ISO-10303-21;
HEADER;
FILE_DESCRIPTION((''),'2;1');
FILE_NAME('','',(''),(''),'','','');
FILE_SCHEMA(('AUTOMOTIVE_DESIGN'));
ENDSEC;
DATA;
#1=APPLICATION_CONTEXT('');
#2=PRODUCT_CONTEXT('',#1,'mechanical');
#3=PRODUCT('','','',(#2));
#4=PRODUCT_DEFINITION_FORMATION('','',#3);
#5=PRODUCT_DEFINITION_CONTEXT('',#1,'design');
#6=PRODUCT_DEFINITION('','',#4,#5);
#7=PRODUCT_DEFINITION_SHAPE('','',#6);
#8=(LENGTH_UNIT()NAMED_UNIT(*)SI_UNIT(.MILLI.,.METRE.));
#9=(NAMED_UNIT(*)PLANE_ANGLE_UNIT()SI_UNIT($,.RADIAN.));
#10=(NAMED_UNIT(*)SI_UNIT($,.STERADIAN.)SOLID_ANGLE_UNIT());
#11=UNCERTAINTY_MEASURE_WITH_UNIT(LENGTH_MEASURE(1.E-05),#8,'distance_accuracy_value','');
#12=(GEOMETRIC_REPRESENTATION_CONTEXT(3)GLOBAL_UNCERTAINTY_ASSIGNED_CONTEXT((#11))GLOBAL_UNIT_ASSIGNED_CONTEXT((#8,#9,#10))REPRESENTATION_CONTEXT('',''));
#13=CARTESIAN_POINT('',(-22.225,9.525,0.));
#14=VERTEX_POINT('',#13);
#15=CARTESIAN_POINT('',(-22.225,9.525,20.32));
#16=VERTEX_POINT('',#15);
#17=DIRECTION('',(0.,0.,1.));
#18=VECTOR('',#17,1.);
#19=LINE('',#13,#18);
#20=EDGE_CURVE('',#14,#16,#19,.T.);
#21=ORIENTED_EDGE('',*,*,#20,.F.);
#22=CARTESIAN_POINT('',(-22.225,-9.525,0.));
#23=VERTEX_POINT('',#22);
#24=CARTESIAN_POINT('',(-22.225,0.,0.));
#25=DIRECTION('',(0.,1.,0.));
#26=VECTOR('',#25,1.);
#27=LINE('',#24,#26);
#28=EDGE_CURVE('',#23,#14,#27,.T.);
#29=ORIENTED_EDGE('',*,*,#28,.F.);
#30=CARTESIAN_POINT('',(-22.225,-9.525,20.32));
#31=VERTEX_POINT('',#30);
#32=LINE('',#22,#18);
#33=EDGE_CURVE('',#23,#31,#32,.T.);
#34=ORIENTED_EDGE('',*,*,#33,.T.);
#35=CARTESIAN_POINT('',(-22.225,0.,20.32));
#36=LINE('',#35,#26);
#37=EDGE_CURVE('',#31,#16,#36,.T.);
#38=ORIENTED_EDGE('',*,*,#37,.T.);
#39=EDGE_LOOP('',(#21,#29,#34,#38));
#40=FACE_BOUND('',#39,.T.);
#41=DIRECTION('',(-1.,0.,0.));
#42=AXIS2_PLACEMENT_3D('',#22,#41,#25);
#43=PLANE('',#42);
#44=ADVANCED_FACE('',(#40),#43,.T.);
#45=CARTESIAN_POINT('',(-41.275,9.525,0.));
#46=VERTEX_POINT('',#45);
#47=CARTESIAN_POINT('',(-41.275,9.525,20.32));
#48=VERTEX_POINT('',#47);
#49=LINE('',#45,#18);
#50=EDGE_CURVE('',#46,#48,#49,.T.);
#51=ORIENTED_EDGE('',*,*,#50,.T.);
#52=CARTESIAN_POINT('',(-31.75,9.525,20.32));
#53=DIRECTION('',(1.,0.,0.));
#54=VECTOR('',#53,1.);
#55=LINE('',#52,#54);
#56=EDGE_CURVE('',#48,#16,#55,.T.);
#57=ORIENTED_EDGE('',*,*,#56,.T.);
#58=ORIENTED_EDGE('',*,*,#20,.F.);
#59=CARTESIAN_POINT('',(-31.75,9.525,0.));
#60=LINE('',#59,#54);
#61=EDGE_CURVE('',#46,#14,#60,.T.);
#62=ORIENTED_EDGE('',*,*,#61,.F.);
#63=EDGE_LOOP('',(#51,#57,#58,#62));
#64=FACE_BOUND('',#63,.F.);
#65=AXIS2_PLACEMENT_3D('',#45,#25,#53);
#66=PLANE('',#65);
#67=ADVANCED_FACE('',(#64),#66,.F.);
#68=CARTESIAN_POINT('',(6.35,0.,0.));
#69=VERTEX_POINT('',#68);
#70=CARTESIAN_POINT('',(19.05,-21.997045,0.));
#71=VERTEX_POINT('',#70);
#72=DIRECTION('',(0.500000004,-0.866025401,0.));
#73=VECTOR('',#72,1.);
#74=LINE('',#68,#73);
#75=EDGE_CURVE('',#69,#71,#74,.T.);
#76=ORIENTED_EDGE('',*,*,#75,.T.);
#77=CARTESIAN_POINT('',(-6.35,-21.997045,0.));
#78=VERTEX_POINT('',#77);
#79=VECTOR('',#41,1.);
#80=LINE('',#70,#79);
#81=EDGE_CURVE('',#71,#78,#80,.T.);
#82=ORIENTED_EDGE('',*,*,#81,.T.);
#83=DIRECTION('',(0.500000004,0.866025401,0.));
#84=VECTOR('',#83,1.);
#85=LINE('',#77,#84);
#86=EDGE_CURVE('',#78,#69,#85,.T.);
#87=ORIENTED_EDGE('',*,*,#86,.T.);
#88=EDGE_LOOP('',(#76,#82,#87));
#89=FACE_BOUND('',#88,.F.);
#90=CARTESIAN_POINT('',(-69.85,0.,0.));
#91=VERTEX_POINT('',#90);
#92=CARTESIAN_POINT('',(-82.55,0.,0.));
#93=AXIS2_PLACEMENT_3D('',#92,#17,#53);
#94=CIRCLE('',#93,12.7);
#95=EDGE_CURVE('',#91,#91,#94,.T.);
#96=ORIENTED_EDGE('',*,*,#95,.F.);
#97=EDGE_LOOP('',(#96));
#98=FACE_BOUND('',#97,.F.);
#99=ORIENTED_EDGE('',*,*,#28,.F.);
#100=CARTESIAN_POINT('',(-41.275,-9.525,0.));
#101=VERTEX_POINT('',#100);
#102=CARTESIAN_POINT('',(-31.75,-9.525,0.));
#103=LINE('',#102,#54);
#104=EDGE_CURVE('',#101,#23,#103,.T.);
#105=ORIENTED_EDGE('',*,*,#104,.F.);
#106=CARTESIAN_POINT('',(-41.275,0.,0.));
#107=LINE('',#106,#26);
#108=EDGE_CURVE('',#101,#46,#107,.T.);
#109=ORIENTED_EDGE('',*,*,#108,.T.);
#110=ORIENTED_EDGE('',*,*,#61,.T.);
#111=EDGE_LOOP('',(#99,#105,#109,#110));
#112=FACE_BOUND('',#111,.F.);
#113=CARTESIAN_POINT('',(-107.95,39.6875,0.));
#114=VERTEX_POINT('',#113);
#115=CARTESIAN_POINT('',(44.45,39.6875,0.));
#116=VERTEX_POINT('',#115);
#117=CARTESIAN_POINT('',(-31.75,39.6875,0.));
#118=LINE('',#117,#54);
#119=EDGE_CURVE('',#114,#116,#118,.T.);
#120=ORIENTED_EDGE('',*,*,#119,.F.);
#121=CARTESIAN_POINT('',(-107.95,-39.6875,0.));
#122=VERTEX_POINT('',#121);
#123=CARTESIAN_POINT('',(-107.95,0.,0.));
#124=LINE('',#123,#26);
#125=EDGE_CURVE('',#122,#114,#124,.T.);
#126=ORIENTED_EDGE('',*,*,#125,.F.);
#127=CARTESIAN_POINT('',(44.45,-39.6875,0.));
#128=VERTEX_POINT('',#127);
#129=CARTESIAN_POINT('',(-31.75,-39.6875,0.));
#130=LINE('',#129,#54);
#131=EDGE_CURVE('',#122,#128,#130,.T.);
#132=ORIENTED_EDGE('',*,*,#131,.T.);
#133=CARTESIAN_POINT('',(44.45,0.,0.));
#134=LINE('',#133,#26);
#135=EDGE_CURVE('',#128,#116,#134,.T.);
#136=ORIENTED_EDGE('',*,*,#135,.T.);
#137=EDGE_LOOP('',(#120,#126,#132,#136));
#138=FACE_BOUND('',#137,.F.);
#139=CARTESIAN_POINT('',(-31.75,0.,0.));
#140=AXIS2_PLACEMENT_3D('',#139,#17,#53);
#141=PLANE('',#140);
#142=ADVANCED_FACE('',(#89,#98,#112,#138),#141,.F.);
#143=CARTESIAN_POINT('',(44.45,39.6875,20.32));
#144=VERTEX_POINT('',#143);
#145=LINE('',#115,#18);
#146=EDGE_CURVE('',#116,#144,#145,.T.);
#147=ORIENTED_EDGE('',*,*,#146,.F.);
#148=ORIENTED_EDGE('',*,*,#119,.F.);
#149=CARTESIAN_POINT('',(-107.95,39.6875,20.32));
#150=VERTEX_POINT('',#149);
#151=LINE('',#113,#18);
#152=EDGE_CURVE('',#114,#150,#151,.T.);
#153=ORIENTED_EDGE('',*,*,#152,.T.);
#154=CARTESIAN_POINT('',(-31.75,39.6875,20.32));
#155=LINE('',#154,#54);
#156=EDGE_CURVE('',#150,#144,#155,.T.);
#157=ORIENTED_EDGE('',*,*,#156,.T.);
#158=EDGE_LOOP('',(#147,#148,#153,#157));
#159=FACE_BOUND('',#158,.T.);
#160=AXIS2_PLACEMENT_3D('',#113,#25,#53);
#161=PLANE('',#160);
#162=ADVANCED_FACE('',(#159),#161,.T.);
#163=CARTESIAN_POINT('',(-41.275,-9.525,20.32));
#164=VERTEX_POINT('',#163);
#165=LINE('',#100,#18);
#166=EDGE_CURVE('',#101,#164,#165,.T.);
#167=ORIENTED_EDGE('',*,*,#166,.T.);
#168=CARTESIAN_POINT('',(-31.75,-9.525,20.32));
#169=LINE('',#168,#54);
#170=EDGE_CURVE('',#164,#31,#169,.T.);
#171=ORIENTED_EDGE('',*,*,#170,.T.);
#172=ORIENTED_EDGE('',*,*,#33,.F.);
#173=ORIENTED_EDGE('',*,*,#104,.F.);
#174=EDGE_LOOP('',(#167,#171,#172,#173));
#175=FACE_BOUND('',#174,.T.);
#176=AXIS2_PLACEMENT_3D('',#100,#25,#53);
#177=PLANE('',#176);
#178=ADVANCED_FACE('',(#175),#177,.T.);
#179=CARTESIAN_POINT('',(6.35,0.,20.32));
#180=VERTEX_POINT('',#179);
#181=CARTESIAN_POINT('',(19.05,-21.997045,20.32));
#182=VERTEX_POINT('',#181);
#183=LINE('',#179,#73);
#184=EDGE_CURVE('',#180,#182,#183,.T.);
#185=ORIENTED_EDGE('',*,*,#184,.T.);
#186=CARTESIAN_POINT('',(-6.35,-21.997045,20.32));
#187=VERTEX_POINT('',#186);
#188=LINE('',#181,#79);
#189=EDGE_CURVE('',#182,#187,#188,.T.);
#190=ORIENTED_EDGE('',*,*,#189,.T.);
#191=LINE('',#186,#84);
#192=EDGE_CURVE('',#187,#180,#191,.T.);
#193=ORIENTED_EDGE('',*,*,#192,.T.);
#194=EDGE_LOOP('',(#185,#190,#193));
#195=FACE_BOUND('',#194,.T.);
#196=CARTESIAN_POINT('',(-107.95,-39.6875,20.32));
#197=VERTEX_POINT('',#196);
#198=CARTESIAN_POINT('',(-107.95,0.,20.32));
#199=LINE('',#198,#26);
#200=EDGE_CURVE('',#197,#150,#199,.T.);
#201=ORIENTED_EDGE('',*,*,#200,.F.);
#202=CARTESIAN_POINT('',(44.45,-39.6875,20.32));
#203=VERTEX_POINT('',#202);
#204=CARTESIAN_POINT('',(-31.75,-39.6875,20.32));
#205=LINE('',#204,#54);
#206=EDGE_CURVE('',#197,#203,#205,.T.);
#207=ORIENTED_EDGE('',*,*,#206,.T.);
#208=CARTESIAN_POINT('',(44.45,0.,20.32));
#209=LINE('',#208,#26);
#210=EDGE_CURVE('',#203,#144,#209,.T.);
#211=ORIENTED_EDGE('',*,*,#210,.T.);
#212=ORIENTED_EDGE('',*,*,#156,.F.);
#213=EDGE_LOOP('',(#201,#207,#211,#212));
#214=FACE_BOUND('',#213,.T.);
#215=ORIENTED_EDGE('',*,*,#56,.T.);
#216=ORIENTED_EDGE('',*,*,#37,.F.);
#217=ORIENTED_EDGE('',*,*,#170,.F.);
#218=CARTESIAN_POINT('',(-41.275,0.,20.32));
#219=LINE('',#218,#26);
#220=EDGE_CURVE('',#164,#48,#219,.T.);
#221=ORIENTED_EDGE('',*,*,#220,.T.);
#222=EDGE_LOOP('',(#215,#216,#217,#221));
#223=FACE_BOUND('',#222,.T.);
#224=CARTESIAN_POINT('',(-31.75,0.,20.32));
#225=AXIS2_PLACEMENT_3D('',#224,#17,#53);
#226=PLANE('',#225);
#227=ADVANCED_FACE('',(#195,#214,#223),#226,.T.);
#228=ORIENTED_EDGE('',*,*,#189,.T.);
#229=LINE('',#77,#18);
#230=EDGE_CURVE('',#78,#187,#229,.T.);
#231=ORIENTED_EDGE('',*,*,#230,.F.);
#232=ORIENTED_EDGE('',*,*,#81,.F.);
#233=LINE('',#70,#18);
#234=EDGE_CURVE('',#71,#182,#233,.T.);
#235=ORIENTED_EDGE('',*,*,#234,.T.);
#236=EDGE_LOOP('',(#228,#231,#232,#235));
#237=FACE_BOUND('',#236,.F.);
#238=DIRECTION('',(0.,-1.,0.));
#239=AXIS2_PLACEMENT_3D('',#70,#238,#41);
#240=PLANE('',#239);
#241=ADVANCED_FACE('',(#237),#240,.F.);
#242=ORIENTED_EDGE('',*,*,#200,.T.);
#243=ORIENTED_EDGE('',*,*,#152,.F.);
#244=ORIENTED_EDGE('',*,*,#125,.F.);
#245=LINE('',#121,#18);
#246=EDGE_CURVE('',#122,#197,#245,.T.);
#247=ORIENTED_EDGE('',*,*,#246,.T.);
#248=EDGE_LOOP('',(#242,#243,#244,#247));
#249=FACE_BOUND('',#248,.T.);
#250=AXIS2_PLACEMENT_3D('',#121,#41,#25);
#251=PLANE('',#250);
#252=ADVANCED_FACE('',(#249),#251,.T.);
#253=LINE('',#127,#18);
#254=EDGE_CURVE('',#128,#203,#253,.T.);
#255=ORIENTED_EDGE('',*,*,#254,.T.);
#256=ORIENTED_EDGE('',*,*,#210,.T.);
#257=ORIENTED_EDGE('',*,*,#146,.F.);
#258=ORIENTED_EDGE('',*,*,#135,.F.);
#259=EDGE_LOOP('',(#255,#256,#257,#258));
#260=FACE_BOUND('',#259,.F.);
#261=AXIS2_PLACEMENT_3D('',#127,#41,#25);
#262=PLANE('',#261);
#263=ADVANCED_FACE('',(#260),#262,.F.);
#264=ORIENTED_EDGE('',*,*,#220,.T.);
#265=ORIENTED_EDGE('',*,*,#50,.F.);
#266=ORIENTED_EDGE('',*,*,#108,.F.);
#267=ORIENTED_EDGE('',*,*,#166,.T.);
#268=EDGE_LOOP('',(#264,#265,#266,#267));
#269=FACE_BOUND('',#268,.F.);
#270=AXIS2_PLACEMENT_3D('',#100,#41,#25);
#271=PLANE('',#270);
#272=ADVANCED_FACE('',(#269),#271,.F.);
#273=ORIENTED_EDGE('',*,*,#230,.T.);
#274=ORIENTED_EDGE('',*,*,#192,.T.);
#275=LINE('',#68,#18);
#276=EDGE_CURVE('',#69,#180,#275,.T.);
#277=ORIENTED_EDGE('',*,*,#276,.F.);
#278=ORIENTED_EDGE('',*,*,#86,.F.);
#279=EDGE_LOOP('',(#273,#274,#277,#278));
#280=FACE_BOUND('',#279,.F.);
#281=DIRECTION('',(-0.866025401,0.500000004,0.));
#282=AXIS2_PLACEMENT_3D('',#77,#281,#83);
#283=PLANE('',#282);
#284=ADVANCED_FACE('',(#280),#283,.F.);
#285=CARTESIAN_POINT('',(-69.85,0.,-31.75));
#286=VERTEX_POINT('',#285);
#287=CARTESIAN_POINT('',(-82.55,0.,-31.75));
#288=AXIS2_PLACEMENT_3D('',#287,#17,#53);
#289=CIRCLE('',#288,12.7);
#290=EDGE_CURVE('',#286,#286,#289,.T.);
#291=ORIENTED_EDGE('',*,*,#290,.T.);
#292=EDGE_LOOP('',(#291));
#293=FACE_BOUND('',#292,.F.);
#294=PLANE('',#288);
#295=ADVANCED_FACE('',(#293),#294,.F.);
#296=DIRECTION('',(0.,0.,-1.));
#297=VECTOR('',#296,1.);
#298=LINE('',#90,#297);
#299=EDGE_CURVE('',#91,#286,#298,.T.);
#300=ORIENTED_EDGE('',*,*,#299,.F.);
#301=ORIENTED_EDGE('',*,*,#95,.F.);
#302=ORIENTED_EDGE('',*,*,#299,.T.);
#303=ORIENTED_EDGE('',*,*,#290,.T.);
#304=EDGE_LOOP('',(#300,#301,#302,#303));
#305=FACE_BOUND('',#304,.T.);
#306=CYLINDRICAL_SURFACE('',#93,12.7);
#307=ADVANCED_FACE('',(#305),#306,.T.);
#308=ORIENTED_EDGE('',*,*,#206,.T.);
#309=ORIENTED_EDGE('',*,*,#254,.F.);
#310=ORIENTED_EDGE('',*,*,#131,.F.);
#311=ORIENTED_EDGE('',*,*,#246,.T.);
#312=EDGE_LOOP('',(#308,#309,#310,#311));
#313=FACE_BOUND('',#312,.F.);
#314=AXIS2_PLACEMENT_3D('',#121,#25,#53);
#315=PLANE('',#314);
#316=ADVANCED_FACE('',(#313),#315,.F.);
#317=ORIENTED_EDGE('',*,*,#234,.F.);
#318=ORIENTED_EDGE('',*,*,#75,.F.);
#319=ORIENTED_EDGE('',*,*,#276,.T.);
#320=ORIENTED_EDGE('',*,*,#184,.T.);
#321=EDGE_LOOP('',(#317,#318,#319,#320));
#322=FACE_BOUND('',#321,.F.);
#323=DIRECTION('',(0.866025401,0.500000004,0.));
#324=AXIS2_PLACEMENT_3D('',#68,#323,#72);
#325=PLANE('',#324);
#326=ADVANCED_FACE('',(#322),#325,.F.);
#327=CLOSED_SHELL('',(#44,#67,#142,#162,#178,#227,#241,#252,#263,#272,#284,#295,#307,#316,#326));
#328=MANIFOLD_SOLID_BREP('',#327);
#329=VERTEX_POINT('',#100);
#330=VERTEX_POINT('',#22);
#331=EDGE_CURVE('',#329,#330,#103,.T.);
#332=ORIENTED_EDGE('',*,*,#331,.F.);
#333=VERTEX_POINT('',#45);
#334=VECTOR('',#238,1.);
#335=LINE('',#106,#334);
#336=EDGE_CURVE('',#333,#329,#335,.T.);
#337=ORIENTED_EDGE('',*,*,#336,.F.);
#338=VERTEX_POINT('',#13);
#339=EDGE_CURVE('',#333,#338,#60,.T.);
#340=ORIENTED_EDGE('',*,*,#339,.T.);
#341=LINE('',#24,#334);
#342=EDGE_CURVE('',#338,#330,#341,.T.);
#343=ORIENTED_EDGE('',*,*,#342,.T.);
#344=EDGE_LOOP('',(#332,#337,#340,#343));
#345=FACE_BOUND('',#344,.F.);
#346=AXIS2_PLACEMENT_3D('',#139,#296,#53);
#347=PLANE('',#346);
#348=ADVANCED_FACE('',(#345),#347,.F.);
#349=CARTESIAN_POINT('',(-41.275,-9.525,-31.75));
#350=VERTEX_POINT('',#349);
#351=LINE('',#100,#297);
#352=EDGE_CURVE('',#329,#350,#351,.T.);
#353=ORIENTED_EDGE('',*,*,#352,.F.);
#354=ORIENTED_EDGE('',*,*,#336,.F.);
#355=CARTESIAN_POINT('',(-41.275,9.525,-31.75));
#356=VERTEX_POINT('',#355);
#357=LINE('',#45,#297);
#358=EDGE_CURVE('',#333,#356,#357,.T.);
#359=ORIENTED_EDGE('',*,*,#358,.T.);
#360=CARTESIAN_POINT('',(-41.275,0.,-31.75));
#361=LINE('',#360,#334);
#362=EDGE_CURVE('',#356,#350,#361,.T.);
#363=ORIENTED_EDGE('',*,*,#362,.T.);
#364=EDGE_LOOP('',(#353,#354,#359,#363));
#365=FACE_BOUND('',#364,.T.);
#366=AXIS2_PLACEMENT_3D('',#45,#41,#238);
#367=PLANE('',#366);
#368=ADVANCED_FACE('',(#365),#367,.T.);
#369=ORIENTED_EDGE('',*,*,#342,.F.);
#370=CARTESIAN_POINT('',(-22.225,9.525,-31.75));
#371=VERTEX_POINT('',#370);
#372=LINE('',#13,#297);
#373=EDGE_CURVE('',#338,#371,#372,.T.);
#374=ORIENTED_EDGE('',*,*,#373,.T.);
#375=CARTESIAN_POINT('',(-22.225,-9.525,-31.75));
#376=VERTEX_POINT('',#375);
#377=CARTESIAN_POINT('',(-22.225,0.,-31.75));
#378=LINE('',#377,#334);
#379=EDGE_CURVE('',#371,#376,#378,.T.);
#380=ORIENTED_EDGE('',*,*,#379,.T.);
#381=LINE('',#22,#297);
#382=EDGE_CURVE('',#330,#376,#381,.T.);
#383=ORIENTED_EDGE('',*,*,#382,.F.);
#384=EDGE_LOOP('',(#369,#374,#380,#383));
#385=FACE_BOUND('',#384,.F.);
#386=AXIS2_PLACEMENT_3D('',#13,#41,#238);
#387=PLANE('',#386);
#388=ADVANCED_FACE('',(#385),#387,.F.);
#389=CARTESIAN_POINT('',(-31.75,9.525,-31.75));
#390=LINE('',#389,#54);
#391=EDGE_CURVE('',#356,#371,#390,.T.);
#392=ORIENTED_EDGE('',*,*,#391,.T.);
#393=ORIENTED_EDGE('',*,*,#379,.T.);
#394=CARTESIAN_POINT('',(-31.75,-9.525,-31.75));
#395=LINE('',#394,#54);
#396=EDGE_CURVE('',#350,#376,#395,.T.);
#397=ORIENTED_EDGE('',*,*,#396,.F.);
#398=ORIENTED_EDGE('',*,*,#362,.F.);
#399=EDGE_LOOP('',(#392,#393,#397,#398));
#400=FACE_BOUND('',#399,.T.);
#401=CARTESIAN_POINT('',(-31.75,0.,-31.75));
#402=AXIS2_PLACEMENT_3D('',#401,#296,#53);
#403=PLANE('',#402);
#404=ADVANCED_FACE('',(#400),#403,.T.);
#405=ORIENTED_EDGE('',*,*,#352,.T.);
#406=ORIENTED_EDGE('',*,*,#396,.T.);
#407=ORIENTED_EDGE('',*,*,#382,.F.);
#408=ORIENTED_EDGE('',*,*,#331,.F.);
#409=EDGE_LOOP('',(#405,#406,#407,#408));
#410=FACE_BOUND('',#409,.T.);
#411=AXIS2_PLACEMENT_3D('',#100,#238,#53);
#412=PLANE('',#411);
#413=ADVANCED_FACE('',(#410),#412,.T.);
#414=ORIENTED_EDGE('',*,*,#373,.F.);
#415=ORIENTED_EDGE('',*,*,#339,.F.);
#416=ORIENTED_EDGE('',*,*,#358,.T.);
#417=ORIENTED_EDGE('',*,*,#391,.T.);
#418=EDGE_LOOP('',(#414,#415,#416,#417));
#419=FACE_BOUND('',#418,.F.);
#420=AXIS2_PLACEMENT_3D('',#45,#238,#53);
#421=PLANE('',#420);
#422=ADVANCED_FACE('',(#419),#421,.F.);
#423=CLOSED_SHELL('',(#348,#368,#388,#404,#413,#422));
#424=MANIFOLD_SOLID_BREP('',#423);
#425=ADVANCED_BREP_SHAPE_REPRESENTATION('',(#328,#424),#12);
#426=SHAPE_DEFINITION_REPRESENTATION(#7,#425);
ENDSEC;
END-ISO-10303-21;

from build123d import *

# Parameters (mm, degrees)
F0_W     = 152.4
F0_H     = 79.375
F0_R     = 12.7
F0_W_2   = 19.05
F0_H_2   = 19.05
F1_DEPTH = 20.32
F2_DEPTH = 31.75
F3_W     = 19.05
F3_H     = 19.05
F4_DEPTH = 31.75


with BuildPart() as f1:
    # F0 (on Top) → F1 (new body)
    with BuildSketch(Plane.XY):
        with Locations((-31.75, 0)):
            Rectangle(F0_W, F0_H)
        Polygon((19.05, -21.997045), (-6.35, -21.997045), (6.35, 0), align=None, mode=Mode.SUBTRACT)
        with Locations((-82.55, 0)):
            Circle(F0_R, mode=Mode.SUBTRACT)
        with Locations((-31.75, 0)):
            Rectangle(F0_W_2, F0_H_2, mode=Mode.SUBTRACT)
        with Locations((-82.55, 0)):
            Circle(F0_R)
    extrude(amount=F1_DEPTH)

    # F0 (on Top) → F2 (join)
    with BuildSketch(Plane.XY):
        with Locations((-82.55, 0)):
            Circle(F0_R)
    extrude(amount=-F2_DEPTH)


with BuildPart() as f4:
    # F3 (on face) → F4 (new body)
    with BuildSketch(Plane(origin=(0, 0, 0), x_dir=(1, 0, 0), z_dir=(0, 0, -1))):
        with Locations((-31.75, 0)):
            Rectangle(F3_W, F3_H)
    extrude(amount=F4_DEPTH)


solid = Compound([f1.part, f4.part])
